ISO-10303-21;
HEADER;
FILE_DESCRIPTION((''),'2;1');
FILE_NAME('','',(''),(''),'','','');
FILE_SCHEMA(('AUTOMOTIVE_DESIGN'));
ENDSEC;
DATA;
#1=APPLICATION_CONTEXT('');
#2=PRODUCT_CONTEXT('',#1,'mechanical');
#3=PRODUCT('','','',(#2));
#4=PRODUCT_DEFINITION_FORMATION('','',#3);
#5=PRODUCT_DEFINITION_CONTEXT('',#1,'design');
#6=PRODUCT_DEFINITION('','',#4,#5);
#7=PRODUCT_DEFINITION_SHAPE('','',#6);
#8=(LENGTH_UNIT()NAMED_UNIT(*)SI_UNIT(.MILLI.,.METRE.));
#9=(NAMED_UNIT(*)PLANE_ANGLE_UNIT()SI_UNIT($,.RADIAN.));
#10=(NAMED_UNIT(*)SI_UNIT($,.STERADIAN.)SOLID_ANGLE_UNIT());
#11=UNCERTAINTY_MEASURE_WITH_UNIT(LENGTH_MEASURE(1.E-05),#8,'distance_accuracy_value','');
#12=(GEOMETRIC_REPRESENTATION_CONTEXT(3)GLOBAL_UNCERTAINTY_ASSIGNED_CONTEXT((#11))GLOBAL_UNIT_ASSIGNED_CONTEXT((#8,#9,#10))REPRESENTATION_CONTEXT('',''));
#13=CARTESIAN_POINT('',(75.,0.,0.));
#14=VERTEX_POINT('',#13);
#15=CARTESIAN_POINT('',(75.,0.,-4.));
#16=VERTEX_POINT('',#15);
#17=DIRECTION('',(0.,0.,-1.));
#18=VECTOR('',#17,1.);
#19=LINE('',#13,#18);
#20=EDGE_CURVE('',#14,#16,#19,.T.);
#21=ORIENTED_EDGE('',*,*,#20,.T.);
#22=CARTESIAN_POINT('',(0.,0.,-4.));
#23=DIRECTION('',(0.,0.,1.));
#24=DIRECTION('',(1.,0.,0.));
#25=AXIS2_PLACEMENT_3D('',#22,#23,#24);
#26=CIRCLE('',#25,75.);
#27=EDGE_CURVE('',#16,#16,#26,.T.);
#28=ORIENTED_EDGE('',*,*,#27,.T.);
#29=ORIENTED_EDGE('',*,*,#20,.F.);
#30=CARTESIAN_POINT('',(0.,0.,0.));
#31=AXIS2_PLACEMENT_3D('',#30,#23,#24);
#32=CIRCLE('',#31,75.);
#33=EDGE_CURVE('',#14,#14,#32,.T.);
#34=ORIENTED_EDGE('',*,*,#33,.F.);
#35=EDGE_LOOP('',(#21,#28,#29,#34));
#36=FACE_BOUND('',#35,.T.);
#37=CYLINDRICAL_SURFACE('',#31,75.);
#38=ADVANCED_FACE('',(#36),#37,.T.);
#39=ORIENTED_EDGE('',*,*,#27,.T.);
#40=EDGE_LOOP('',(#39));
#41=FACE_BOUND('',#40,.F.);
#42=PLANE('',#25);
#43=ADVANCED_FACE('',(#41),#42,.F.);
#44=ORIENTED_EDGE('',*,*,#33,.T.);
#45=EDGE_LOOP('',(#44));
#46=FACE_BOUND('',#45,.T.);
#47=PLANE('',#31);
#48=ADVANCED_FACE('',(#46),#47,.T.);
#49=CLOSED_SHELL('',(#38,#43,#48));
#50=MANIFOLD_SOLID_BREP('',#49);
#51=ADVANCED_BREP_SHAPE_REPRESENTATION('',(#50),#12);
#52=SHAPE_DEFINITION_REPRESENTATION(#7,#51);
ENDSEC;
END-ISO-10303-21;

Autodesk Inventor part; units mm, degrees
ref_plane "YZ Plane" through (0, 0, 0) normal (1, 0, 0) x (0, 1, 0)
ref_plane "XZ Plane" through (0, 0, 0) normal (0, 1, 0) x (-1, 0, 0)
ref_plane "XY Plane" through (0, 0, 0) normal (0, 0, 1) x (1, 0, 0)
ref_plane "РабПлоскость1" through (0, 0, 0) normal (0, 0, 1) x (1, 0, 0)
sketch "Эскиз1" plane through (0, 0, 0) normal (0, 0, 1) x (1, 0, 0)
  circle A0 centre (0, 0) radius 75
  point P0 (0, 0)
  dimension "d0" = 150
extrude "Выдавливание1" add sketch "Эскиз1" against normal blind 4
properties part number "крайний эллипс"
